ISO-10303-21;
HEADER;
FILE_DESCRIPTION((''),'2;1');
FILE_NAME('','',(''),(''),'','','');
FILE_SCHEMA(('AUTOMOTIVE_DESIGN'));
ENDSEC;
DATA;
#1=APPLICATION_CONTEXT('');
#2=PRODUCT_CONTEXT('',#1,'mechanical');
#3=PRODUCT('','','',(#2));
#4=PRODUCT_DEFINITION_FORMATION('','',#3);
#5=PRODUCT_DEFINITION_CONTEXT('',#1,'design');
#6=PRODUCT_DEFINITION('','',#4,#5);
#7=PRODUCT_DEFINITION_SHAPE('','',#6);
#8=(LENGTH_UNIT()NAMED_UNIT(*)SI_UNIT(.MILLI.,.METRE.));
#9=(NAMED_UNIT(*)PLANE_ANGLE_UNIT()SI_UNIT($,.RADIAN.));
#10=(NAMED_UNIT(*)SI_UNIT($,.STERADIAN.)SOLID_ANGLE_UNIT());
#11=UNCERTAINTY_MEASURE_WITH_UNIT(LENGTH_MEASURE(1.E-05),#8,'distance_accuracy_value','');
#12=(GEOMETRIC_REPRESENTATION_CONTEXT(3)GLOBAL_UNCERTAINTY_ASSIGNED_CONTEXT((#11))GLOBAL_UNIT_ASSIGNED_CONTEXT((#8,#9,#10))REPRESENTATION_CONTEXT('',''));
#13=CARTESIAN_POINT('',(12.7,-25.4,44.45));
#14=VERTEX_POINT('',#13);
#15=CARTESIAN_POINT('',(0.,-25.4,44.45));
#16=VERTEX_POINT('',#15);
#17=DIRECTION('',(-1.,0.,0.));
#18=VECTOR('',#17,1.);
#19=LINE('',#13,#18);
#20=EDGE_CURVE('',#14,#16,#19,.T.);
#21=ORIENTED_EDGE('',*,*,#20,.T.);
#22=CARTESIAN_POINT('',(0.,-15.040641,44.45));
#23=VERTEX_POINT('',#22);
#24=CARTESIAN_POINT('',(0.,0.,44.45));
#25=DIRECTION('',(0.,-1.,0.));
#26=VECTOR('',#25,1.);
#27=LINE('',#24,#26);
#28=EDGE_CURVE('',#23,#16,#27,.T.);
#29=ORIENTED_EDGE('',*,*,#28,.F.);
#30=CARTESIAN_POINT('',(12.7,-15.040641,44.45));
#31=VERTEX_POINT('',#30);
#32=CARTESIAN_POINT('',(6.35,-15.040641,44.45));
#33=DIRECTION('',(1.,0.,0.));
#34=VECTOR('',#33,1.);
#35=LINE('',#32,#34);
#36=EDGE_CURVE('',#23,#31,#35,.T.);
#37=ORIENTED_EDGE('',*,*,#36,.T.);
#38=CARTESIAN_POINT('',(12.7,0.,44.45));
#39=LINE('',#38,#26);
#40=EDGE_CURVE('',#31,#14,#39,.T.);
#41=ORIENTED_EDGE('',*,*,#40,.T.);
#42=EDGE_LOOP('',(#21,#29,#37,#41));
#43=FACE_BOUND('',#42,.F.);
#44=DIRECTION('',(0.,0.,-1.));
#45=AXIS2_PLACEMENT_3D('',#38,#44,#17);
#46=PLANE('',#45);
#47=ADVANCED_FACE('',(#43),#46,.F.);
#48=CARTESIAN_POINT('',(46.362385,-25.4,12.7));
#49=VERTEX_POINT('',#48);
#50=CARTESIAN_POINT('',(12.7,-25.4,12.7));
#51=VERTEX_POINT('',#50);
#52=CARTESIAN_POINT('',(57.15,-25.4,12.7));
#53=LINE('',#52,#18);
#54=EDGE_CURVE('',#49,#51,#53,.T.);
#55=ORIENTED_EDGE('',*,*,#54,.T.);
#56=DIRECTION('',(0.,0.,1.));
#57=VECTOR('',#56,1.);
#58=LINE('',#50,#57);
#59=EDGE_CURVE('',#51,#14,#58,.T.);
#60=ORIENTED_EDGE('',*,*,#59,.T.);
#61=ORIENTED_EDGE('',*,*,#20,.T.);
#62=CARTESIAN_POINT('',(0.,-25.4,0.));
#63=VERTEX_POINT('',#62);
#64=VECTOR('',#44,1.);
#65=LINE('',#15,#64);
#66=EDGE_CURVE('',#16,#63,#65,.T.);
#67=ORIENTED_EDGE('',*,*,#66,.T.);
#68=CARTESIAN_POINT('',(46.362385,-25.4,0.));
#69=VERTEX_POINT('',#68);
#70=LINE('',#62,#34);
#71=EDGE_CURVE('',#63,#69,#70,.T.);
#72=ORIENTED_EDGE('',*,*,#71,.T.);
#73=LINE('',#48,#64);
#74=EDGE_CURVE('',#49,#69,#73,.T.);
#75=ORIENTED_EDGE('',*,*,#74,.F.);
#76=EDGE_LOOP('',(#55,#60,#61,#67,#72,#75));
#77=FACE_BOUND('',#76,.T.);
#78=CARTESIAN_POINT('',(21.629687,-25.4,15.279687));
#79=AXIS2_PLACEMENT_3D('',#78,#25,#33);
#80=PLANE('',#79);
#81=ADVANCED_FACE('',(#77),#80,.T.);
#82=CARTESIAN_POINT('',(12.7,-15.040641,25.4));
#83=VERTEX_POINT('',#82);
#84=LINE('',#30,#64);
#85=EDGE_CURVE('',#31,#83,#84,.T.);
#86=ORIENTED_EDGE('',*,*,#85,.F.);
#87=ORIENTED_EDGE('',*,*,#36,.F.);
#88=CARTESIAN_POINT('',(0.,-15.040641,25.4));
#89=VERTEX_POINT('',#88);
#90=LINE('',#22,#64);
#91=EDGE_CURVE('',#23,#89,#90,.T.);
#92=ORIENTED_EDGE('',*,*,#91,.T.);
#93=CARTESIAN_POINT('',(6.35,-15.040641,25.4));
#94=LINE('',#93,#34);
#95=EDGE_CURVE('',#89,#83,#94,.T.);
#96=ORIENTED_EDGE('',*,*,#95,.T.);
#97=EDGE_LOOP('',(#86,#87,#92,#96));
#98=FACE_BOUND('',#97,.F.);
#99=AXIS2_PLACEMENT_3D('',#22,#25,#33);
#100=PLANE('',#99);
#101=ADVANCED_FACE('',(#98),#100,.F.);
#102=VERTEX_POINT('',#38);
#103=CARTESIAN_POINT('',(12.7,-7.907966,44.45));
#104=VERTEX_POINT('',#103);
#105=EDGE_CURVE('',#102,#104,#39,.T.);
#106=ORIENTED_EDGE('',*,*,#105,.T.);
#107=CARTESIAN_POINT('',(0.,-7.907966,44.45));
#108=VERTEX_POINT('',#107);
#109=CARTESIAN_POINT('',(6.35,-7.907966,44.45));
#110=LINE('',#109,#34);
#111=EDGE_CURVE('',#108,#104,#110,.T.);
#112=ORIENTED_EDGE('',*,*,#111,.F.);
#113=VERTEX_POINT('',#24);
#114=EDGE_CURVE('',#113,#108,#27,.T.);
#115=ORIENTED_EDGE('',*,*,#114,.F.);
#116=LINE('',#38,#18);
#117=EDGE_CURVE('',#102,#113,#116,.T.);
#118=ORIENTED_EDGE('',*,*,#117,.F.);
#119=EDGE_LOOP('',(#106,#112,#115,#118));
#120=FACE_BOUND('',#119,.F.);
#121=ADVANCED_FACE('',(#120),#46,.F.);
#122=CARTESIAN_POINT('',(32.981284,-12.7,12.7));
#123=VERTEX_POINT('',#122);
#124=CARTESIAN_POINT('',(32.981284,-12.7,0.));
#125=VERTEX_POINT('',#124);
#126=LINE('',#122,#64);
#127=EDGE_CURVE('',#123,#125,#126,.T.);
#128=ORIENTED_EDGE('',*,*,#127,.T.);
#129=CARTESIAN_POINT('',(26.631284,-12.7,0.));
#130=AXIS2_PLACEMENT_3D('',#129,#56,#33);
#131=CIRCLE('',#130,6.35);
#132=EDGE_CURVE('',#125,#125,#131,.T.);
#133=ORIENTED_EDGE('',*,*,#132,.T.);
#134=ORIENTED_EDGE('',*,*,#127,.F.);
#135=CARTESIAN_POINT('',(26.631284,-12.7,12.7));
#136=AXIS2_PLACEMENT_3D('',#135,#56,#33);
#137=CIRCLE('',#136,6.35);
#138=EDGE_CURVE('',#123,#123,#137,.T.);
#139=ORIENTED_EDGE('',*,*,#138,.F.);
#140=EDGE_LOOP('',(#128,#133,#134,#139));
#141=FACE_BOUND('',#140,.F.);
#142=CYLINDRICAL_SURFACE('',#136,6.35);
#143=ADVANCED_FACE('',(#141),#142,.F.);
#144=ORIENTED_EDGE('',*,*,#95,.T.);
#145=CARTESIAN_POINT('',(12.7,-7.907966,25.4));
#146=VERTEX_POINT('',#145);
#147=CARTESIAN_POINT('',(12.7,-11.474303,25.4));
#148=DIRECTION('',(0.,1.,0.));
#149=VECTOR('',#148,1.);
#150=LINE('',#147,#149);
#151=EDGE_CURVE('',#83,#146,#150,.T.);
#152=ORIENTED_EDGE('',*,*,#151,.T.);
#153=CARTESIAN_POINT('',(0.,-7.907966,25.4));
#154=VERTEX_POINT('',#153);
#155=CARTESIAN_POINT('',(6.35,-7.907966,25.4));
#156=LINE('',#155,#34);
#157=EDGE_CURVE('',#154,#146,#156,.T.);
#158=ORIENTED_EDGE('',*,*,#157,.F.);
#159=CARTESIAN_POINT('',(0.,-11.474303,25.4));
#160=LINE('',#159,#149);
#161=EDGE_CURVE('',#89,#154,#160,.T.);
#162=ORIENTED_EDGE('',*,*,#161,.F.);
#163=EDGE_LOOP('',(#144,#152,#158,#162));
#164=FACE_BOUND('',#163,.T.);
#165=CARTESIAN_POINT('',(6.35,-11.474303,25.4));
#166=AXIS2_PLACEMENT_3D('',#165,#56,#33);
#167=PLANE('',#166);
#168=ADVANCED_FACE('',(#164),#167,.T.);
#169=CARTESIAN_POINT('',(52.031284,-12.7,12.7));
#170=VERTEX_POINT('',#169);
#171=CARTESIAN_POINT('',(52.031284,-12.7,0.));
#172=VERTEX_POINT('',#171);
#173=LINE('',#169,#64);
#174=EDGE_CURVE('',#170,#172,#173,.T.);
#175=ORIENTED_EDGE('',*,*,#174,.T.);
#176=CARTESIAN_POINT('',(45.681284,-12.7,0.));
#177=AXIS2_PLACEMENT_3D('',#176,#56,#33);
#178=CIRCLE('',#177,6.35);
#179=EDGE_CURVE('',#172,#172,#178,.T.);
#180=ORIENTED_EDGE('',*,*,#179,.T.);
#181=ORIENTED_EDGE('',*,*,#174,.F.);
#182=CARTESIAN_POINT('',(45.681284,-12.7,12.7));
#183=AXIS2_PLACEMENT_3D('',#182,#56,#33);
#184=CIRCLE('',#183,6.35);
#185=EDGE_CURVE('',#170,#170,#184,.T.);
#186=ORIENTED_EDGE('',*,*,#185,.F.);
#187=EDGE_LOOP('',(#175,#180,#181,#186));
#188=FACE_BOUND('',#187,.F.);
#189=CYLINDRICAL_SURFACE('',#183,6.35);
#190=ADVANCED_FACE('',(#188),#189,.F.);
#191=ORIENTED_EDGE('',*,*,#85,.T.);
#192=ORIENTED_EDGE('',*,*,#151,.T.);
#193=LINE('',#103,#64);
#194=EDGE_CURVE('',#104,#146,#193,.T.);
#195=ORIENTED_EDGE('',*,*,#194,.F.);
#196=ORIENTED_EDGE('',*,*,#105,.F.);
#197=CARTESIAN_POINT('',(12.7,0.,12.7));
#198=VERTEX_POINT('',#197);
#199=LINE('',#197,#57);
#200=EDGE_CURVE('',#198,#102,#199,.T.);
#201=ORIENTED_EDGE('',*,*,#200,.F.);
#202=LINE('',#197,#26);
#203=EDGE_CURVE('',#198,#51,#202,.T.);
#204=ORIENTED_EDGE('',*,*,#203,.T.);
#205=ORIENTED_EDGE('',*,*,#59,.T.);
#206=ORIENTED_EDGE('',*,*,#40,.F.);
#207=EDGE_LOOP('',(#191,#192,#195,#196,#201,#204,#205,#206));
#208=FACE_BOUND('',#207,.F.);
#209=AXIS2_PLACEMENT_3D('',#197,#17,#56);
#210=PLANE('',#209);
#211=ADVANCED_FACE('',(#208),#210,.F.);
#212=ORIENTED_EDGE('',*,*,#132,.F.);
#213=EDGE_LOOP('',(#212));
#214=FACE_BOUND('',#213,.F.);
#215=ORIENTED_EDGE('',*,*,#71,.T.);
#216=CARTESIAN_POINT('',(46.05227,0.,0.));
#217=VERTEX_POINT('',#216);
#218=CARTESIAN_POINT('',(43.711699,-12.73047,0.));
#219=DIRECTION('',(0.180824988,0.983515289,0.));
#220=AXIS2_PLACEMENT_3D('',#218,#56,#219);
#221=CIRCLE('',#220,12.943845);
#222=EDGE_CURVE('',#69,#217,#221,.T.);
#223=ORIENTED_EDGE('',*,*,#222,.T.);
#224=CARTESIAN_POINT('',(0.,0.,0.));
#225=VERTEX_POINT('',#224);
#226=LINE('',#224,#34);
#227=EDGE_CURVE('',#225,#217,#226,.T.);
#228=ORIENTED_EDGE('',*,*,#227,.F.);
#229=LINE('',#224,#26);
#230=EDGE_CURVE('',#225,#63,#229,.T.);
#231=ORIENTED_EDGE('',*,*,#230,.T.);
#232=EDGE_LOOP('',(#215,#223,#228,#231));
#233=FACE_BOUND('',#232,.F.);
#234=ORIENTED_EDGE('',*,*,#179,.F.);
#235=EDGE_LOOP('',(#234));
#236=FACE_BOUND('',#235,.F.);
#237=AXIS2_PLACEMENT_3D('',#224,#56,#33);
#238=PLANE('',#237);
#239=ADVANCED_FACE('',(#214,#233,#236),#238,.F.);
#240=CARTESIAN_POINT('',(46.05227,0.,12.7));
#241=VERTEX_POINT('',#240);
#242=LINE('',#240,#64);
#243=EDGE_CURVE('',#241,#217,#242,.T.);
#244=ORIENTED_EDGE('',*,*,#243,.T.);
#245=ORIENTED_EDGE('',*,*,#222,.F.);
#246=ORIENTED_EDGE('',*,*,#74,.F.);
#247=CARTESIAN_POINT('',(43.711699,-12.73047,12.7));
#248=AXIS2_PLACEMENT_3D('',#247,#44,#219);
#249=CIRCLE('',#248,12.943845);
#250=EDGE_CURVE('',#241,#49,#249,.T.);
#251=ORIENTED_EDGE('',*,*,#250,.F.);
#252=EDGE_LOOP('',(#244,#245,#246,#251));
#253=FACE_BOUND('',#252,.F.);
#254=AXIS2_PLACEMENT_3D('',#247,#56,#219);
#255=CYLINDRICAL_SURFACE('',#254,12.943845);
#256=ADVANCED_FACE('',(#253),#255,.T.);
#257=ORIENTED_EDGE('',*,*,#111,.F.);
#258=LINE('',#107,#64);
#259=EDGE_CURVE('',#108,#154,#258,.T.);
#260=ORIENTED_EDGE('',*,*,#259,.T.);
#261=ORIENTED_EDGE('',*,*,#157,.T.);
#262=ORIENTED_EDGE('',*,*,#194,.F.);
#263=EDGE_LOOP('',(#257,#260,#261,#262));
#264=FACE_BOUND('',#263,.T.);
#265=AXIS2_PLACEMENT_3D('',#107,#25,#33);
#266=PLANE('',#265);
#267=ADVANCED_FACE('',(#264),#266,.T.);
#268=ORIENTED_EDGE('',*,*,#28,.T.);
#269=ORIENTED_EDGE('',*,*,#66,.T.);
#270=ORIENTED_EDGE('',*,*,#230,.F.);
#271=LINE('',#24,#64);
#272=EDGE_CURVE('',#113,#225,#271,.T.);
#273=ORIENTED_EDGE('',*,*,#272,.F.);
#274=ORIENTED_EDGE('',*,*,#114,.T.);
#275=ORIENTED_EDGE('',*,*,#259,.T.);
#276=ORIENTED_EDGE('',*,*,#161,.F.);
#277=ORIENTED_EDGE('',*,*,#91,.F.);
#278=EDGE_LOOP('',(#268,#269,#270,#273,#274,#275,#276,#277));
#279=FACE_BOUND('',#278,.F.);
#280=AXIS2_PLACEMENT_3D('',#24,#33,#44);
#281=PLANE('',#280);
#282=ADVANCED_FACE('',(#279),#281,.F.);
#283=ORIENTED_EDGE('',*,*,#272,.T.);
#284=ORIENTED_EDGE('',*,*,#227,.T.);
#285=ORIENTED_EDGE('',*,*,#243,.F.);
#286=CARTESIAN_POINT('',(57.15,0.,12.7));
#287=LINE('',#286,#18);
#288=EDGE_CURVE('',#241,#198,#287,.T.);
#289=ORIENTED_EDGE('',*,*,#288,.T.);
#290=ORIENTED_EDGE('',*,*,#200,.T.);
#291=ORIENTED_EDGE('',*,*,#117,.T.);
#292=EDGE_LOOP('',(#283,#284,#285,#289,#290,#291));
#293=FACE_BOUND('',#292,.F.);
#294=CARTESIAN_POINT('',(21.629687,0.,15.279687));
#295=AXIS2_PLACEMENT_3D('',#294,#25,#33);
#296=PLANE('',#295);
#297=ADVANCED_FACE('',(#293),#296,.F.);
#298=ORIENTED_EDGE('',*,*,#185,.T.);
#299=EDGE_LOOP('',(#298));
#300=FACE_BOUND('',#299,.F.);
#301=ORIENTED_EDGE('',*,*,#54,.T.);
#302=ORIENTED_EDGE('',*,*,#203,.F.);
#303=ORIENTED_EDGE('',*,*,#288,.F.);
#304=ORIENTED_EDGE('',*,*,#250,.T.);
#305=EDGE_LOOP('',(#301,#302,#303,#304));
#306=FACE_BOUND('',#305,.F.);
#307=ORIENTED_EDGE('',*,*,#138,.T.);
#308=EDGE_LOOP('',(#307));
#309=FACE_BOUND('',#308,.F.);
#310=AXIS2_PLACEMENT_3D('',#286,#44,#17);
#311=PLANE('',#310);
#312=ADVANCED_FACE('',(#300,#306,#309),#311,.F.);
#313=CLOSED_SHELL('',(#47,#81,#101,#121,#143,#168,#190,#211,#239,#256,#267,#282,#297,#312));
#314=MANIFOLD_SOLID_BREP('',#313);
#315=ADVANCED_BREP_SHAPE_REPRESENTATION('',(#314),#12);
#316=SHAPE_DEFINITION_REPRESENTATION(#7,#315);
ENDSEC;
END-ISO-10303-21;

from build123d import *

# Parameters (mm, degrees)
F1_DEPTH = 25.4
F3_R     = 6.35
F4_DEPTH = 25.4
F6_DEPTH = 25.4
F7_W     = 12.7
F7_H     = 7.132675
F8_DEPTH = 19.05


with BuildPart() as f1:
    # F0 (on Front) → F1 (new body)
    with BuildSketch(Plane.XZ):
        Polygon((0, 44.45), (0, 0), (57.15, 0), (57.15, 12.7), (12.7, 12.7), (12.7, 44.45), align=None)
    extrude(amount=F1_DEPTH)

    # F3 (on face) → F4 (cut)
    with BuildSketch(Plane.XY.offset(12.7)):
        with Locations((26.631284, -12.7)):
            Circle(F3_R)
        with Locations((45.681284, -12.7)):
            Circle(F3_R)
    extrude(amount=-F4_DEPTH, mode=Mode.SUBTRACT)

    # F5 (on face) → F6 (cut)
    with BuildSketch(Plane.XY.offset(12.7)):
        with BuildLine():
            ThreePointArc((46.05227, 0), (56.65458, -12.572447), (46.362385, -25.4))
            Line((46.362385, -25.4), (57.15, -25.4))
            Line((57.15, -25.4), (57.15, 0))
            Line((57.15, 0), (46.05227, 0))
        make_face()
    extrude(amount=-F6_DEPTH, mode=Mode.SUBTRACT)

    # F7 (on face) → F8 (cut)
    with BuildSketch(Plane.XY.offset(44.45)):
        with Locations((6.35, -11.474303)):
            Rectangle(F7_W, F7_H)
    extrude(amount=-F8_DEPTH, mode=Mode.SUBTRACT)


solid = f1.part
